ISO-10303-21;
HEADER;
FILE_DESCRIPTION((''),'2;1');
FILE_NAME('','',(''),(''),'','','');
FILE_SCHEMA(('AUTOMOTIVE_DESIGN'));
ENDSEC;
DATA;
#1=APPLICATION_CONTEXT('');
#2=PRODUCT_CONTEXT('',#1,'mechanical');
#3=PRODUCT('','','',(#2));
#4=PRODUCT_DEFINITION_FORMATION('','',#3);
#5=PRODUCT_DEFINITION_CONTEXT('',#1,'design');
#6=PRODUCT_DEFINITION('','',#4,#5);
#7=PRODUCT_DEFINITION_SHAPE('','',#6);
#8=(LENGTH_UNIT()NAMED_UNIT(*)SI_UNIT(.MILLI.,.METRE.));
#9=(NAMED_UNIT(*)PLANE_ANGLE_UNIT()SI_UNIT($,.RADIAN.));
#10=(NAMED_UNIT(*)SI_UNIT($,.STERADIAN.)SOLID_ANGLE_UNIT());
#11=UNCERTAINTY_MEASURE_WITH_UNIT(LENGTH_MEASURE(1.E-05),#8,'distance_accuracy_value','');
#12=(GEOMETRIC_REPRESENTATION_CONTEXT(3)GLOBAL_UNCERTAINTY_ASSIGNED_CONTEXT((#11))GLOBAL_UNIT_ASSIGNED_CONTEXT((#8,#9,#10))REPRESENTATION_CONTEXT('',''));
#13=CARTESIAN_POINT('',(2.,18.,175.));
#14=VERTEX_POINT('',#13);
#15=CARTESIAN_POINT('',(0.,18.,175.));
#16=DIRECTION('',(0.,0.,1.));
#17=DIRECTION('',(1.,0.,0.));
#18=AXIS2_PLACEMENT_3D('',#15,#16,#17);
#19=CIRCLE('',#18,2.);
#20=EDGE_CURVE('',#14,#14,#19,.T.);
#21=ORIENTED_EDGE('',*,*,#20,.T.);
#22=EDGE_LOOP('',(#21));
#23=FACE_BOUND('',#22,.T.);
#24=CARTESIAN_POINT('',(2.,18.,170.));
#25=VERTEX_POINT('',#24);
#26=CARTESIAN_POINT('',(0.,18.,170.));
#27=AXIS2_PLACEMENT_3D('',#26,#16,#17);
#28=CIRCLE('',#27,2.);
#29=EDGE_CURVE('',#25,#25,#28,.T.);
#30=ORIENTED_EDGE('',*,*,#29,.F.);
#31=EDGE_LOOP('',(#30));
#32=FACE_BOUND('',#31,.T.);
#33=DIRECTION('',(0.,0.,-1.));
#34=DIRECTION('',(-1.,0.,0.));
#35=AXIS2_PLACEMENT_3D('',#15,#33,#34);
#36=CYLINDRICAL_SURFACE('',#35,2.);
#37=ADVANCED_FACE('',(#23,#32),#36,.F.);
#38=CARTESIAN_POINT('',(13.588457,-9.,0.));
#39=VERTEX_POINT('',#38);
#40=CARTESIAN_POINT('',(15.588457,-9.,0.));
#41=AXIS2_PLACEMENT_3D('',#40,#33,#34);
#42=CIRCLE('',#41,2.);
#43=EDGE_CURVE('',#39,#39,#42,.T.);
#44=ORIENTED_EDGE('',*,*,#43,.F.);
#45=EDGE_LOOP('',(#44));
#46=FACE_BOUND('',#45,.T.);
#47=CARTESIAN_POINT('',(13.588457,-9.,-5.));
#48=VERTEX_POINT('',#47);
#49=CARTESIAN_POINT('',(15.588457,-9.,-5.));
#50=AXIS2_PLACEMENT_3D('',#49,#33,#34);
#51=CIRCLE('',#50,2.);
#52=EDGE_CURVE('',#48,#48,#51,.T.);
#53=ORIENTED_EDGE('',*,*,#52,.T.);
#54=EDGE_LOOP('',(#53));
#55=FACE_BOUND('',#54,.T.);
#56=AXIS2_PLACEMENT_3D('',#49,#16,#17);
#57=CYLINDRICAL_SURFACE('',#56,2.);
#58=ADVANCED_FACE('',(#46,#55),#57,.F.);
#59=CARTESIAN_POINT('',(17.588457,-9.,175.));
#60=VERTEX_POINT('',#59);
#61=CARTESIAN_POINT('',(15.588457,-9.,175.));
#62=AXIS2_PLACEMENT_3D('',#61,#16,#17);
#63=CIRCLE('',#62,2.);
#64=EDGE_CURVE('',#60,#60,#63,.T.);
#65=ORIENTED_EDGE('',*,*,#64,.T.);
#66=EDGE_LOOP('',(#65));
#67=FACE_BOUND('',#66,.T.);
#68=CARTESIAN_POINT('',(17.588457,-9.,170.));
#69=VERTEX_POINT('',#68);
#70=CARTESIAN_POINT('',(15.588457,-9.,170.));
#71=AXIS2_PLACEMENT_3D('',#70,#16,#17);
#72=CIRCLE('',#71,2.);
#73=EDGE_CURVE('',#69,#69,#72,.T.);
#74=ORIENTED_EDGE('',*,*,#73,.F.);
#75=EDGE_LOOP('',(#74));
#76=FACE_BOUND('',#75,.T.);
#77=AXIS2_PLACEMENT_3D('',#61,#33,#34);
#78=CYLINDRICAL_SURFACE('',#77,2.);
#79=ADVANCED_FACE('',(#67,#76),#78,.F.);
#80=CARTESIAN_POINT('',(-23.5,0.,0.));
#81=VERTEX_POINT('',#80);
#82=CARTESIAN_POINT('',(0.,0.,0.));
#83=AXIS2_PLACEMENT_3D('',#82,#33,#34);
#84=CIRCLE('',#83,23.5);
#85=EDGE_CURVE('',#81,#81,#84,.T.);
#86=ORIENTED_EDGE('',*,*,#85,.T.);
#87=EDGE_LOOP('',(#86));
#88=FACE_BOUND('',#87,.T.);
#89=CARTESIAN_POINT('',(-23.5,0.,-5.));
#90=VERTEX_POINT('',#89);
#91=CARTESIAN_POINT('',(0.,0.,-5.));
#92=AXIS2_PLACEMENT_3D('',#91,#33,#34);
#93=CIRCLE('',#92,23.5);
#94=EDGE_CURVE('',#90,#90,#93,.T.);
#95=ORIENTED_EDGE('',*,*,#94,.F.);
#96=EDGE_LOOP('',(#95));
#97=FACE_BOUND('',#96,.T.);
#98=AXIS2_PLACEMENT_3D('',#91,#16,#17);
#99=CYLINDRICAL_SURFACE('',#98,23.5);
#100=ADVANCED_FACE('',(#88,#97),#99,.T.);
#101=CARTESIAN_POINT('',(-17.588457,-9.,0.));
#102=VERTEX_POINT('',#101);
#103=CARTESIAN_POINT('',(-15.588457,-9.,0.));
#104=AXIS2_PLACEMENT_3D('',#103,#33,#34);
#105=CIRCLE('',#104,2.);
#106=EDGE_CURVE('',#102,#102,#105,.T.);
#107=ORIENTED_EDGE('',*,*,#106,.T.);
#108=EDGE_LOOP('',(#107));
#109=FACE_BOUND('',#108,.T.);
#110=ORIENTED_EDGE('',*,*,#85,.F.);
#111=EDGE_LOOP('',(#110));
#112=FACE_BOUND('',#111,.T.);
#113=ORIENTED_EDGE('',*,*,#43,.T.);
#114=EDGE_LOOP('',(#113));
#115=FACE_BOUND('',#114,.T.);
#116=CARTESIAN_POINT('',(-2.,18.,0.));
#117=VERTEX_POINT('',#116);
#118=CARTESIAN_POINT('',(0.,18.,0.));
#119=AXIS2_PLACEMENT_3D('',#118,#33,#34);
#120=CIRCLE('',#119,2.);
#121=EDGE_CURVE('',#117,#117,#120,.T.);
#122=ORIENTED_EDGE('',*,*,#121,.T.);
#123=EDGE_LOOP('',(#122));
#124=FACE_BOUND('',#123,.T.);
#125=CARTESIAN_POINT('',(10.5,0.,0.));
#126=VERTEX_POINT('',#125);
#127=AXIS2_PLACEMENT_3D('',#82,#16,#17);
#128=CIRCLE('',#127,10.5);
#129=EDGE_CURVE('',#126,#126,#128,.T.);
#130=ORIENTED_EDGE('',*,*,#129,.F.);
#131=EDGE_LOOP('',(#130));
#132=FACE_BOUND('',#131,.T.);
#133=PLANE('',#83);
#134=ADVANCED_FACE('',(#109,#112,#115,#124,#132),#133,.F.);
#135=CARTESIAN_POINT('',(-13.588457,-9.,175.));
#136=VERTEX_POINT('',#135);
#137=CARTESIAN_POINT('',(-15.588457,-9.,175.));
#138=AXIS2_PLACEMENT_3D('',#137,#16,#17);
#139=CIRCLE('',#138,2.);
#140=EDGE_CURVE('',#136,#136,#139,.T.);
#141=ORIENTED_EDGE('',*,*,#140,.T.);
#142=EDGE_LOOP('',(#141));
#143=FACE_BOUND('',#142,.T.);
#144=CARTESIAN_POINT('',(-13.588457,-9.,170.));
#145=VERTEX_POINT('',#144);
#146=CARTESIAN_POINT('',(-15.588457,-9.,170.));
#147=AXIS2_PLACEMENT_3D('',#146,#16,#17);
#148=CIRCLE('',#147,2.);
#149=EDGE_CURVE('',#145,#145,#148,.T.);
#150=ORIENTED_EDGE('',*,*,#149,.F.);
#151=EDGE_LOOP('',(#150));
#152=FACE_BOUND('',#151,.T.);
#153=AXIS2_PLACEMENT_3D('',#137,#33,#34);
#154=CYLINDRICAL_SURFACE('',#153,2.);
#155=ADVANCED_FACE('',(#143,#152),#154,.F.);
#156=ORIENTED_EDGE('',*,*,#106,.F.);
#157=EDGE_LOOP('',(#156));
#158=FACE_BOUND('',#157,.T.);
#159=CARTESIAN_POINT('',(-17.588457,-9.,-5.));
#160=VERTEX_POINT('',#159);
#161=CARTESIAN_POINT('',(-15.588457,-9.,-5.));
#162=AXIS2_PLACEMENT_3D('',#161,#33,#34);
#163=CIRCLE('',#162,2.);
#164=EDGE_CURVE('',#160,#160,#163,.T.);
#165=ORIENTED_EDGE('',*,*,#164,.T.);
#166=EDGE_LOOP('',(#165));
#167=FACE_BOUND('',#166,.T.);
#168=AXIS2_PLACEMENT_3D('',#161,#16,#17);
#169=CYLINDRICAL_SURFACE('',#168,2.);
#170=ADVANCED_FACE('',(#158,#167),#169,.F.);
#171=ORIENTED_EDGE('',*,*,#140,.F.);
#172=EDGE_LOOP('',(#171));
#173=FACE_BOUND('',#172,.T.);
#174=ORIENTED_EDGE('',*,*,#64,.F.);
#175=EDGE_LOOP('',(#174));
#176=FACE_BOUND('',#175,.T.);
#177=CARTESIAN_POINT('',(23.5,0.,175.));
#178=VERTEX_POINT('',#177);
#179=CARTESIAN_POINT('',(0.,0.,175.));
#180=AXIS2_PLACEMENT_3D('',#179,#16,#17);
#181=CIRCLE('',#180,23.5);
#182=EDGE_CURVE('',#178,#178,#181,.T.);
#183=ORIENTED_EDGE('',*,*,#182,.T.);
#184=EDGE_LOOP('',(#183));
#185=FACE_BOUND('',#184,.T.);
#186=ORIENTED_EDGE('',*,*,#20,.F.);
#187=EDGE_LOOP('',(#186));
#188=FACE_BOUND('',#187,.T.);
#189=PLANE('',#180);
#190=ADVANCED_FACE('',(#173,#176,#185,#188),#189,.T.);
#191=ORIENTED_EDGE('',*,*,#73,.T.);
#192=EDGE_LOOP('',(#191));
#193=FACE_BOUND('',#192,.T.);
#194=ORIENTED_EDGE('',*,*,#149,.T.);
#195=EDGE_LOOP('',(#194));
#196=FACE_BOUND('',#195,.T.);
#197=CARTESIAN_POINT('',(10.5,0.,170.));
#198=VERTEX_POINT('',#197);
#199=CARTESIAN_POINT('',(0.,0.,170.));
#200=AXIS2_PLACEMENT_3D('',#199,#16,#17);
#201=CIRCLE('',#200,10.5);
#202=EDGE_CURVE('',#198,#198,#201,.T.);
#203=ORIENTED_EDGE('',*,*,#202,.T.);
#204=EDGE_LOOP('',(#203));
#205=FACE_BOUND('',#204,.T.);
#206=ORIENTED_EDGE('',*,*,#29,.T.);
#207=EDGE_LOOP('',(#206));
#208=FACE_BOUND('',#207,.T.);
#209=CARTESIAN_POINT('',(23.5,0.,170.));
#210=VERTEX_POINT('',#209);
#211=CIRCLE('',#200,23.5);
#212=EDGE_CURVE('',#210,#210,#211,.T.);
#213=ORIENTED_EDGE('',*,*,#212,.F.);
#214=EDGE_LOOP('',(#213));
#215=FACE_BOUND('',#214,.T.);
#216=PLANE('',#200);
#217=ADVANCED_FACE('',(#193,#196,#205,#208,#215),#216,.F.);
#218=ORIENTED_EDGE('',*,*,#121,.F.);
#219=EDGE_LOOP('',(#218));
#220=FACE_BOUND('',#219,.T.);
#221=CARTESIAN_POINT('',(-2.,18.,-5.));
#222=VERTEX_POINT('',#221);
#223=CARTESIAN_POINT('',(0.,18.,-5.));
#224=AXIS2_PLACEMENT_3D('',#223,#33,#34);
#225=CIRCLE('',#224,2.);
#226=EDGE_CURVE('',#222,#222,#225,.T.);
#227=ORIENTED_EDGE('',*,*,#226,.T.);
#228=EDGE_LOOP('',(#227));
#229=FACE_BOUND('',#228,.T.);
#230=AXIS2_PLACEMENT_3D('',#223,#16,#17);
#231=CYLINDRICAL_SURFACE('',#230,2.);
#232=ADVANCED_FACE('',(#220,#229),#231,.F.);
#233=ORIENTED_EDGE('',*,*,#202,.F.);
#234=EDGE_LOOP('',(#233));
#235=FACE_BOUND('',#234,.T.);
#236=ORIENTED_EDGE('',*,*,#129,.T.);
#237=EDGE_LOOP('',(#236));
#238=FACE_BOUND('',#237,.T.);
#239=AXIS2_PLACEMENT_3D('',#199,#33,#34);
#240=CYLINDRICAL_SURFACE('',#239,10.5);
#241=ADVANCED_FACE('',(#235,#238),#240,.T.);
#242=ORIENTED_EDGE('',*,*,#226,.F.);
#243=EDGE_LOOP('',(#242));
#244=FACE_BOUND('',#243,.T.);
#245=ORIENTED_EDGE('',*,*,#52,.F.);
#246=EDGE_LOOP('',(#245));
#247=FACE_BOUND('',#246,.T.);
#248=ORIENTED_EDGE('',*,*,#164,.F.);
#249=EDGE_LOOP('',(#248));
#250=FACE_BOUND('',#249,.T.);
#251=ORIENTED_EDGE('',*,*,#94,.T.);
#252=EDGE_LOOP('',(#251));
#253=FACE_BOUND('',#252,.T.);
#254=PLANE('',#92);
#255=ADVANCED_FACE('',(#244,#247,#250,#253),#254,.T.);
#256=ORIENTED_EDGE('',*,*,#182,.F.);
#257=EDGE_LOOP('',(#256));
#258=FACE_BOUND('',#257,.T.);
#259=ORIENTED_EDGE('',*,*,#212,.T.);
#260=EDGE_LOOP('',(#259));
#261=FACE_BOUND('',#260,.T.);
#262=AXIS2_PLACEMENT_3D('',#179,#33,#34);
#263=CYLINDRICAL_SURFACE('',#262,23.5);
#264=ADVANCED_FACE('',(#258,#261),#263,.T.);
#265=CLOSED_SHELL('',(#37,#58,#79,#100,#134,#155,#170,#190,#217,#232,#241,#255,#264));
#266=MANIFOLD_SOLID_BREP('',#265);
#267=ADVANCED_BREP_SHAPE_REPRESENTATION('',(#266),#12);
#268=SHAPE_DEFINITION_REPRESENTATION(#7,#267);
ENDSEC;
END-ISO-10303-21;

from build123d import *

# Parameters (mm, degrees)
SKETCH_1_R      = 10.5
EXTRUDE_1_DEPTH = 170
SKETCH_2_R      = 23.5
SKETCH_2_R_2    = 2
EXTRUDE_2_DEPTH = 5
EXTRUDE_START   = 5
SKETCH_3_R      = 23.5
SKETCH_3_R_2    = 2
EXTRUDE_3_DEPTH = 5


with BuildPart() as part:
    # 草图1 → 凸台-拉伸1 (new body)
    with BuildSketch(Plane.XY):
        Circle(SKETCH_1_R)
    extrude(amount=EXTRUDE_1_DEPTH)

    # 草图2 → 凸台-拉伸2 (add)
    with BuildSketch(Plane.XY.offset(170)):
        Circle(SKETCH_2_R)
        with Locations((0, 18)):
            Circle(SKETCH_2_R_2, mode=Mode.SUBTRACT)
        with Locations((-15.588457268, -9)):
            Circle(SKETCH_2_R_2, mode=Mode.SUBTRACT)
        with Locations((15.588457268, -9)):
            Circle(SKETCH_2_R_2, mode=Mode.SUBTRACT)
    extrude(amount=EXTRUDE_2_DEPTH)

    # 草图3 → 凸台-拉伸3 (add)
    with BuildSketch(Plane(origin=(0, 0, 0), x_dir=(-1, 0, 0), z_dir=(0, 0, -1)).offset(EXTRUDE_START)):
        with Locations(Location((0, 0, 0), (0, 0, 180))):
            Circle(SKETCH_3_R)
        with Locations(Location((0, 18, 0), (0, 0, 180))):
            Circle(SKETCH_3_R_2, mode=Mode.SUBTRACT)
        with Locations(Location((15.588457268, -9, 0), (0, 0, 180))):
            Circle(SKETCH_3_R_2, mode=Mode.SUBTRACT)
        with Locations(Location((-15.588457268, -9, 0), (0, 0, 180))):
            Circle(SKETCH_3_R_2, mode=Mode.SUBTRACT)
    extrude(amount=-EXTRUDE_3_DEPTH)


solid = part.part
